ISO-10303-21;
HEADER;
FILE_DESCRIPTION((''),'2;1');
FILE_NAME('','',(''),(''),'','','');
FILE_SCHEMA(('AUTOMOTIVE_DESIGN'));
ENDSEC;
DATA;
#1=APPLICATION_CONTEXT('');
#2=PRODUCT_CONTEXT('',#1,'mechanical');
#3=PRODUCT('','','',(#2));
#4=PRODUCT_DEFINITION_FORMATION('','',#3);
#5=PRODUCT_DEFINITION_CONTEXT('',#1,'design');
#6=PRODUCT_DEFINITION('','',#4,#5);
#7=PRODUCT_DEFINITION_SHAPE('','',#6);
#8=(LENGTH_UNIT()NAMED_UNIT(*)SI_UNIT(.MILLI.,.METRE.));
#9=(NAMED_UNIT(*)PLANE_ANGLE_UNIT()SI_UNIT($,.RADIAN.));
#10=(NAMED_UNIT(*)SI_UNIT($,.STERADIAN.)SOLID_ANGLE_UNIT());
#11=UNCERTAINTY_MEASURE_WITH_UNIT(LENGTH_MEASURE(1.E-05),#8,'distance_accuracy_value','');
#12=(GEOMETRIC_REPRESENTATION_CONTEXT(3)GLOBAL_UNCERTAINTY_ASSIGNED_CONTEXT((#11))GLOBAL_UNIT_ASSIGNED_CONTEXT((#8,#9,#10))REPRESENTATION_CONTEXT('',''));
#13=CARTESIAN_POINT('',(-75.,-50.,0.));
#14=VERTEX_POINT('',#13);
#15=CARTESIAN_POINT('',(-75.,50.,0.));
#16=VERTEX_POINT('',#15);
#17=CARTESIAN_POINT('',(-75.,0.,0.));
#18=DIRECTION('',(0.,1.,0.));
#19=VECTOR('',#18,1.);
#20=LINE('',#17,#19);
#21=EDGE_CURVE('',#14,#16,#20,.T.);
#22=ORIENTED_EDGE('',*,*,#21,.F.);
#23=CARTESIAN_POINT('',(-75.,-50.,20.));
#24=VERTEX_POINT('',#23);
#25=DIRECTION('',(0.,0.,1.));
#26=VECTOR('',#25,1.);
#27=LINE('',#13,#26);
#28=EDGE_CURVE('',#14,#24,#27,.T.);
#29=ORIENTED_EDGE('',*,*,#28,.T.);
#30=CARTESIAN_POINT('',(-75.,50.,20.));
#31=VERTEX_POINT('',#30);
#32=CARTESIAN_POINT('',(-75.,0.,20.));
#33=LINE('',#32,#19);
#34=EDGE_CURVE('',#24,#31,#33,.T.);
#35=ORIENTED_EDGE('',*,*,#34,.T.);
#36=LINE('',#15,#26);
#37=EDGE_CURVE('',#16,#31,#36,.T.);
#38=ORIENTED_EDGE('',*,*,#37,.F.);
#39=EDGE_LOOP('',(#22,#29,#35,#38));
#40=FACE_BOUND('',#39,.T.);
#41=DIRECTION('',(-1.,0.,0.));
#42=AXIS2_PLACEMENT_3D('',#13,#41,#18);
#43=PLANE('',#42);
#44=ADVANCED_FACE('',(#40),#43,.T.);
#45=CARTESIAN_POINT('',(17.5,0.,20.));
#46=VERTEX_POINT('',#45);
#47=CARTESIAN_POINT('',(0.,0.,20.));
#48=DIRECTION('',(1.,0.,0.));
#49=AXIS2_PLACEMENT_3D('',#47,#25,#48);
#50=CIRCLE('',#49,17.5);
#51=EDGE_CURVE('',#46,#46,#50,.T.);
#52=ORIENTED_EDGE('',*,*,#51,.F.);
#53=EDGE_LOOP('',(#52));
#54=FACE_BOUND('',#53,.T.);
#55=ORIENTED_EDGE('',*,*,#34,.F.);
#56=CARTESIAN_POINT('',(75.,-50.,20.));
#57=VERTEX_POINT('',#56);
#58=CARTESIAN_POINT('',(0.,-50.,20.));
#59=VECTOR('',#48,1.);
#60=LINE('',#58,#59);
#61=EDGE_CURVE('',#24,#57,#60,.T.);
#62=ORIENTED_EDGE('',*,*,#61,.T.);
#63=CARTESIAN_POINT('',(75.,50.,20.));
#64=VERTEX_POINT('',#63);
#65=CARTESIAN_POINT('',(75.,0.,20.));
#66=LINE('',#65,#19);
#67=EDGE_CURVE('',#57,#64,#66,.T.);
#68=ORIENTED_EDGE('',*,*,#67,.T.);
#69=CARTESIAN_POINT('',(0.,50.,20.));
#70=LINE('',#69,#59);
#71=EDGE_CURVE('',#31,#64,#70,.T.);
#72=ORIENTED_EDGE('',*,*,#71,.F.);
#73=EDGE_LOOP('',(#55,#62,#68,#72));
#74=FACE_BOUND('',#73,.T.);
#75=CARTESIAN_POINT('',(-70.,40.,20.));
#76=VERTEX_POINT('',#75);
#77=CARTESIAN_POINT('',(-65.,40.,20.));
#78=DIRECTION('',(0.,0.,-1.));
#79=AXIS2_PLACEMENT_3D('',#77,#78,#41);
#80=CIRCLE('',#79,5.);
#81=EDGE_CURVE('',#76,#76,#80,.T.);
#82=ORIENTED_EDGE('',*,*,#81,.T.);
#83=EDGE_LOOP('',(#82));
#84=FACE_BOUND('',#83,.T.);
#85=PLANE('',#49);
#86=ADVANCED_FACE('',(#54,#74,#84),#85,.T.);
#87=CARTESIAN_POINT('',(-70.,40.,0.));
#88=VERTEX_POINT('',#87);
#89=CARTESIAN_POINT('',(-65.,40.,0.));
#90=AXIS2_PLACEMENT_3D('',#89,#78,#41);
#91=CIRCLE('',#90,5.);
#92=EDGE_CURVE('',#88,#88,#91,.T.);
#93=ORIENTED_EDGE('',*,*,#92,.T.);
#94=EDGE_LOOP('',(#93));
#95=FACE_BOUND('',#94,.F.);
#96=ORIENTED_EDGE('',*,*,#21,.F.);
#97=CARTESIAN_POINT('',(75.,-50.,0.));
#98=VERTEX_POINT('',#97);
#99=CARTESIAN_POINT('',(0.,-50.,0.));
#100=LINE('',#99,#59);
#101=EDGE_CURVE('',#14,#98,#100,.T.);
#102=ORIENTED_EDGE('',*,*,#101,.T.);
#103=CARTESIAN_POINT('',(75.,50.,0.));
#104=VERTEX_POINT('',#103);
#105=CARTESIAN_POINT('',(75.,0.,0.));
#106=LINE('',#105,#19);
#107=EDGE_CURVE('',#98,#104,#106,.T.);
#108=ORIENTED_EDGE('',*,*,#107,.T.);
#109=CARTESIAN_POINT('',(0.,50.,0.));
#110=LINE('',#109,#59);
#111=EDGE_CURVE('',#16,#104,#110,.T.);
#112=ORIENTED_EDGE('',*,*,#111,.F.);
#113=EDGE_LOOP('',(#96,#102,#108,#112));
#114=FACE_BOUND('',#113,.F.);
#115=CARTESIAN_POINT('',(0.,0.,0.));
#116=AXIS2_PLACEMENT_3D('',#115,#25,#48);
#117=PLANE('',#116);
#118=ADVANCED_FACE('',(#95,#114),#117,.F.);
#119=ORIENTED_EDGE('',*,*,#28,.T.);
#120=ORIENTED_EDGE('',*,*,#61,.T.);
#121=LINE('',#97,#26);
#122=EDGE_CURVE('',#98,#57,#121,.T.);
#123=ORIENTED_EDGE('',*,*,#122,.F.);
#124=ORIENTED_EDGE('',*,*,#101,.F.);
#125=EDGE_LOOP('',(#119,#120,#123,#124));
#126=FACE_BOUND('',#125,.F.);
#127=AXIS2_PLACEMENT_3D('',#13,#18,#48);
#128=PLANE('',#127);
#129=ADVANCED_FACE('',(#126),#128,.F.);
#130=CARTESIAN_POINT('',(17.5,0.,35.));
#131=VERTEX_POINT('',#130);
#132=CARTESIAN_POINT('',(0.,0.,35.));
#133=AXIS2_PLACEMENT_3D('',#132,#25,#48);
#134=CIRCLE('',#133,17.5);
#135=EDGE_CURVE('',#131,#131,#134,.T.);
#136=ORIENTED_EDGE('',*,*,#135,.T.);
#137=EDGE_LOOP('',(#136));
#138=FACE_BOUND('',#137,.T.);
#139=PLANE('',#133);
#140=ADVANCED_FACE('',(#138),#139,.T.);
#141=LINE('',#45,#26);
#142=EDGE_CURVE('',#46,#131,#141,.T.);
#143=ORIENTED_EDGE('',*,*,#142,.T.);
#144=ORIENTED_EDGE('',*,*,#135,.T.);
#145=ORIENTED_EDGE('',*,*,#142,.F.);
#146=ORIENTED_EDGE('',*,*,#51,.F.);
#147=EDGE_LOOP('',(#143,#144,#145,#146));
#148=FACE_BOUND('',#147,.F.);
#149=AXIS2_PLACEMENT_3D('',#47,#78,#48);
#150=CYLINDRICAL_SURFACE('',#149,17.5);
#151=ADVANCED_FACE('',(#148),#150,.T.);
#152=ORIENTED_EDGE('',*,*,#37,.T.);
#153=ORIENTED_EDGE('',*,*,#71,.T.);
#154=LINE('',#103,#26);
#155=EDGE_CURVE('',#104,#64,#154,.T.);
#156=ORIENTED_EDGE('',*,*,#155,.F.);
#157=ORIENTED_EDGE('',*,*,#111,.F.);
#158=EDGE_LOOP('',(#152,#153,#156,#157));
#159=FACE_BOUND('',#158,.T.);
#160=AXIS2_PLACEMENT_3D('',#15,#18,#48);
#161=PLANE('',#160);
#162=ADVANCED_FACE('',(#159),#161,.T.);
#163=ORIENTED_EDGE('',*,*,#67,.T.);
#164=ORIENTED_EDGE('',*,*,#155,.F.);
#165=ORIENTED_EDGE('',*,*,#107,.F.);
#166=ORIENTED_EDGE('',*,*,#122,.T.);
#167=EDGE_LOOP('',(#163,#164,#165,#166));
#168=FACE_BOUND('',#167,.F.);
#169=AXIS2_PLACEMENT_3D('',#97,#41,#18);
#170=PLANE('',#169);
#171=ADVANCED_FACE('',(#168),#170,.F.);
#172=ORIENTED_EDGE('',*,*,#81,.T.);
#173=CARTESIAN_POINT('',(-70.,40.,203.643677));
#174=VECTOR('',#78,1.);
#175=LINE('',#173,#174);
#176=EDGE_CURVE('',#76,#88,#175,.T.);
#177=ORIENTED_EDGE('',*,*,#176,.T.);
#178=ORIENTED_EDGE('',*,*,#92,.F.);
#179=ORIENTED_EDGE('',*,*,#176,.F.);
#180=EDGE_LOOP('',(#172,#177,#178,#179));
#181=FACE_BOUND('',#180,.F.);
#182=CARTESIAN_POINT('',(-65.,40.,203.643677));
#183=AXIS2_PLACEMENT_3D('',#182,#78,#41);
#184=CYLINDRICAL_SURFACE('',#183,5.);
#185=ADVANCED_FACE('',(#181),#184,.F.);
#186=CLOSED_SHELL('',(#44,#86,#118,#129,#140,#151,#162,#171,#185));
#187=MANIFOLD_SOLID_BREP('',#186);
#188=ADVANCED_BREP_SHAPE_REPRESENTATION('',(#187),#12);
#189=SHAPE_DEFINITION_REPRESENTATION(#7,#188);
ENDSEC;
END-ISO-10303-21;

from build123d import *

# Parameters (mm, degrees)
F0_W     = 150
F0_H     = 100
F1_DEPTH = 20
F2_R     = 17.5
F3_DEPTH = 15
F5_D     = 10


with BuildPart() as f1:
    # F0 (on Top) → F1 (new body)
    with BuildSketch(Plane.XY):
        Rectangle(F0_W, F0_H)
    extrude(amount=F1_DEPTH)

    # F2 (on face) → F3 (join)
    with BuildSketch(Plane.XY.offset(20)):
        Circle(F2_R)
    extrude(amount=F3_DEPTH)

    # F5 (through all)
    with Locations(Plane.XY.offset(20)):
        with Locations((-65, 40)):
            Hole(F5_D / 2)


solid = f1.part
